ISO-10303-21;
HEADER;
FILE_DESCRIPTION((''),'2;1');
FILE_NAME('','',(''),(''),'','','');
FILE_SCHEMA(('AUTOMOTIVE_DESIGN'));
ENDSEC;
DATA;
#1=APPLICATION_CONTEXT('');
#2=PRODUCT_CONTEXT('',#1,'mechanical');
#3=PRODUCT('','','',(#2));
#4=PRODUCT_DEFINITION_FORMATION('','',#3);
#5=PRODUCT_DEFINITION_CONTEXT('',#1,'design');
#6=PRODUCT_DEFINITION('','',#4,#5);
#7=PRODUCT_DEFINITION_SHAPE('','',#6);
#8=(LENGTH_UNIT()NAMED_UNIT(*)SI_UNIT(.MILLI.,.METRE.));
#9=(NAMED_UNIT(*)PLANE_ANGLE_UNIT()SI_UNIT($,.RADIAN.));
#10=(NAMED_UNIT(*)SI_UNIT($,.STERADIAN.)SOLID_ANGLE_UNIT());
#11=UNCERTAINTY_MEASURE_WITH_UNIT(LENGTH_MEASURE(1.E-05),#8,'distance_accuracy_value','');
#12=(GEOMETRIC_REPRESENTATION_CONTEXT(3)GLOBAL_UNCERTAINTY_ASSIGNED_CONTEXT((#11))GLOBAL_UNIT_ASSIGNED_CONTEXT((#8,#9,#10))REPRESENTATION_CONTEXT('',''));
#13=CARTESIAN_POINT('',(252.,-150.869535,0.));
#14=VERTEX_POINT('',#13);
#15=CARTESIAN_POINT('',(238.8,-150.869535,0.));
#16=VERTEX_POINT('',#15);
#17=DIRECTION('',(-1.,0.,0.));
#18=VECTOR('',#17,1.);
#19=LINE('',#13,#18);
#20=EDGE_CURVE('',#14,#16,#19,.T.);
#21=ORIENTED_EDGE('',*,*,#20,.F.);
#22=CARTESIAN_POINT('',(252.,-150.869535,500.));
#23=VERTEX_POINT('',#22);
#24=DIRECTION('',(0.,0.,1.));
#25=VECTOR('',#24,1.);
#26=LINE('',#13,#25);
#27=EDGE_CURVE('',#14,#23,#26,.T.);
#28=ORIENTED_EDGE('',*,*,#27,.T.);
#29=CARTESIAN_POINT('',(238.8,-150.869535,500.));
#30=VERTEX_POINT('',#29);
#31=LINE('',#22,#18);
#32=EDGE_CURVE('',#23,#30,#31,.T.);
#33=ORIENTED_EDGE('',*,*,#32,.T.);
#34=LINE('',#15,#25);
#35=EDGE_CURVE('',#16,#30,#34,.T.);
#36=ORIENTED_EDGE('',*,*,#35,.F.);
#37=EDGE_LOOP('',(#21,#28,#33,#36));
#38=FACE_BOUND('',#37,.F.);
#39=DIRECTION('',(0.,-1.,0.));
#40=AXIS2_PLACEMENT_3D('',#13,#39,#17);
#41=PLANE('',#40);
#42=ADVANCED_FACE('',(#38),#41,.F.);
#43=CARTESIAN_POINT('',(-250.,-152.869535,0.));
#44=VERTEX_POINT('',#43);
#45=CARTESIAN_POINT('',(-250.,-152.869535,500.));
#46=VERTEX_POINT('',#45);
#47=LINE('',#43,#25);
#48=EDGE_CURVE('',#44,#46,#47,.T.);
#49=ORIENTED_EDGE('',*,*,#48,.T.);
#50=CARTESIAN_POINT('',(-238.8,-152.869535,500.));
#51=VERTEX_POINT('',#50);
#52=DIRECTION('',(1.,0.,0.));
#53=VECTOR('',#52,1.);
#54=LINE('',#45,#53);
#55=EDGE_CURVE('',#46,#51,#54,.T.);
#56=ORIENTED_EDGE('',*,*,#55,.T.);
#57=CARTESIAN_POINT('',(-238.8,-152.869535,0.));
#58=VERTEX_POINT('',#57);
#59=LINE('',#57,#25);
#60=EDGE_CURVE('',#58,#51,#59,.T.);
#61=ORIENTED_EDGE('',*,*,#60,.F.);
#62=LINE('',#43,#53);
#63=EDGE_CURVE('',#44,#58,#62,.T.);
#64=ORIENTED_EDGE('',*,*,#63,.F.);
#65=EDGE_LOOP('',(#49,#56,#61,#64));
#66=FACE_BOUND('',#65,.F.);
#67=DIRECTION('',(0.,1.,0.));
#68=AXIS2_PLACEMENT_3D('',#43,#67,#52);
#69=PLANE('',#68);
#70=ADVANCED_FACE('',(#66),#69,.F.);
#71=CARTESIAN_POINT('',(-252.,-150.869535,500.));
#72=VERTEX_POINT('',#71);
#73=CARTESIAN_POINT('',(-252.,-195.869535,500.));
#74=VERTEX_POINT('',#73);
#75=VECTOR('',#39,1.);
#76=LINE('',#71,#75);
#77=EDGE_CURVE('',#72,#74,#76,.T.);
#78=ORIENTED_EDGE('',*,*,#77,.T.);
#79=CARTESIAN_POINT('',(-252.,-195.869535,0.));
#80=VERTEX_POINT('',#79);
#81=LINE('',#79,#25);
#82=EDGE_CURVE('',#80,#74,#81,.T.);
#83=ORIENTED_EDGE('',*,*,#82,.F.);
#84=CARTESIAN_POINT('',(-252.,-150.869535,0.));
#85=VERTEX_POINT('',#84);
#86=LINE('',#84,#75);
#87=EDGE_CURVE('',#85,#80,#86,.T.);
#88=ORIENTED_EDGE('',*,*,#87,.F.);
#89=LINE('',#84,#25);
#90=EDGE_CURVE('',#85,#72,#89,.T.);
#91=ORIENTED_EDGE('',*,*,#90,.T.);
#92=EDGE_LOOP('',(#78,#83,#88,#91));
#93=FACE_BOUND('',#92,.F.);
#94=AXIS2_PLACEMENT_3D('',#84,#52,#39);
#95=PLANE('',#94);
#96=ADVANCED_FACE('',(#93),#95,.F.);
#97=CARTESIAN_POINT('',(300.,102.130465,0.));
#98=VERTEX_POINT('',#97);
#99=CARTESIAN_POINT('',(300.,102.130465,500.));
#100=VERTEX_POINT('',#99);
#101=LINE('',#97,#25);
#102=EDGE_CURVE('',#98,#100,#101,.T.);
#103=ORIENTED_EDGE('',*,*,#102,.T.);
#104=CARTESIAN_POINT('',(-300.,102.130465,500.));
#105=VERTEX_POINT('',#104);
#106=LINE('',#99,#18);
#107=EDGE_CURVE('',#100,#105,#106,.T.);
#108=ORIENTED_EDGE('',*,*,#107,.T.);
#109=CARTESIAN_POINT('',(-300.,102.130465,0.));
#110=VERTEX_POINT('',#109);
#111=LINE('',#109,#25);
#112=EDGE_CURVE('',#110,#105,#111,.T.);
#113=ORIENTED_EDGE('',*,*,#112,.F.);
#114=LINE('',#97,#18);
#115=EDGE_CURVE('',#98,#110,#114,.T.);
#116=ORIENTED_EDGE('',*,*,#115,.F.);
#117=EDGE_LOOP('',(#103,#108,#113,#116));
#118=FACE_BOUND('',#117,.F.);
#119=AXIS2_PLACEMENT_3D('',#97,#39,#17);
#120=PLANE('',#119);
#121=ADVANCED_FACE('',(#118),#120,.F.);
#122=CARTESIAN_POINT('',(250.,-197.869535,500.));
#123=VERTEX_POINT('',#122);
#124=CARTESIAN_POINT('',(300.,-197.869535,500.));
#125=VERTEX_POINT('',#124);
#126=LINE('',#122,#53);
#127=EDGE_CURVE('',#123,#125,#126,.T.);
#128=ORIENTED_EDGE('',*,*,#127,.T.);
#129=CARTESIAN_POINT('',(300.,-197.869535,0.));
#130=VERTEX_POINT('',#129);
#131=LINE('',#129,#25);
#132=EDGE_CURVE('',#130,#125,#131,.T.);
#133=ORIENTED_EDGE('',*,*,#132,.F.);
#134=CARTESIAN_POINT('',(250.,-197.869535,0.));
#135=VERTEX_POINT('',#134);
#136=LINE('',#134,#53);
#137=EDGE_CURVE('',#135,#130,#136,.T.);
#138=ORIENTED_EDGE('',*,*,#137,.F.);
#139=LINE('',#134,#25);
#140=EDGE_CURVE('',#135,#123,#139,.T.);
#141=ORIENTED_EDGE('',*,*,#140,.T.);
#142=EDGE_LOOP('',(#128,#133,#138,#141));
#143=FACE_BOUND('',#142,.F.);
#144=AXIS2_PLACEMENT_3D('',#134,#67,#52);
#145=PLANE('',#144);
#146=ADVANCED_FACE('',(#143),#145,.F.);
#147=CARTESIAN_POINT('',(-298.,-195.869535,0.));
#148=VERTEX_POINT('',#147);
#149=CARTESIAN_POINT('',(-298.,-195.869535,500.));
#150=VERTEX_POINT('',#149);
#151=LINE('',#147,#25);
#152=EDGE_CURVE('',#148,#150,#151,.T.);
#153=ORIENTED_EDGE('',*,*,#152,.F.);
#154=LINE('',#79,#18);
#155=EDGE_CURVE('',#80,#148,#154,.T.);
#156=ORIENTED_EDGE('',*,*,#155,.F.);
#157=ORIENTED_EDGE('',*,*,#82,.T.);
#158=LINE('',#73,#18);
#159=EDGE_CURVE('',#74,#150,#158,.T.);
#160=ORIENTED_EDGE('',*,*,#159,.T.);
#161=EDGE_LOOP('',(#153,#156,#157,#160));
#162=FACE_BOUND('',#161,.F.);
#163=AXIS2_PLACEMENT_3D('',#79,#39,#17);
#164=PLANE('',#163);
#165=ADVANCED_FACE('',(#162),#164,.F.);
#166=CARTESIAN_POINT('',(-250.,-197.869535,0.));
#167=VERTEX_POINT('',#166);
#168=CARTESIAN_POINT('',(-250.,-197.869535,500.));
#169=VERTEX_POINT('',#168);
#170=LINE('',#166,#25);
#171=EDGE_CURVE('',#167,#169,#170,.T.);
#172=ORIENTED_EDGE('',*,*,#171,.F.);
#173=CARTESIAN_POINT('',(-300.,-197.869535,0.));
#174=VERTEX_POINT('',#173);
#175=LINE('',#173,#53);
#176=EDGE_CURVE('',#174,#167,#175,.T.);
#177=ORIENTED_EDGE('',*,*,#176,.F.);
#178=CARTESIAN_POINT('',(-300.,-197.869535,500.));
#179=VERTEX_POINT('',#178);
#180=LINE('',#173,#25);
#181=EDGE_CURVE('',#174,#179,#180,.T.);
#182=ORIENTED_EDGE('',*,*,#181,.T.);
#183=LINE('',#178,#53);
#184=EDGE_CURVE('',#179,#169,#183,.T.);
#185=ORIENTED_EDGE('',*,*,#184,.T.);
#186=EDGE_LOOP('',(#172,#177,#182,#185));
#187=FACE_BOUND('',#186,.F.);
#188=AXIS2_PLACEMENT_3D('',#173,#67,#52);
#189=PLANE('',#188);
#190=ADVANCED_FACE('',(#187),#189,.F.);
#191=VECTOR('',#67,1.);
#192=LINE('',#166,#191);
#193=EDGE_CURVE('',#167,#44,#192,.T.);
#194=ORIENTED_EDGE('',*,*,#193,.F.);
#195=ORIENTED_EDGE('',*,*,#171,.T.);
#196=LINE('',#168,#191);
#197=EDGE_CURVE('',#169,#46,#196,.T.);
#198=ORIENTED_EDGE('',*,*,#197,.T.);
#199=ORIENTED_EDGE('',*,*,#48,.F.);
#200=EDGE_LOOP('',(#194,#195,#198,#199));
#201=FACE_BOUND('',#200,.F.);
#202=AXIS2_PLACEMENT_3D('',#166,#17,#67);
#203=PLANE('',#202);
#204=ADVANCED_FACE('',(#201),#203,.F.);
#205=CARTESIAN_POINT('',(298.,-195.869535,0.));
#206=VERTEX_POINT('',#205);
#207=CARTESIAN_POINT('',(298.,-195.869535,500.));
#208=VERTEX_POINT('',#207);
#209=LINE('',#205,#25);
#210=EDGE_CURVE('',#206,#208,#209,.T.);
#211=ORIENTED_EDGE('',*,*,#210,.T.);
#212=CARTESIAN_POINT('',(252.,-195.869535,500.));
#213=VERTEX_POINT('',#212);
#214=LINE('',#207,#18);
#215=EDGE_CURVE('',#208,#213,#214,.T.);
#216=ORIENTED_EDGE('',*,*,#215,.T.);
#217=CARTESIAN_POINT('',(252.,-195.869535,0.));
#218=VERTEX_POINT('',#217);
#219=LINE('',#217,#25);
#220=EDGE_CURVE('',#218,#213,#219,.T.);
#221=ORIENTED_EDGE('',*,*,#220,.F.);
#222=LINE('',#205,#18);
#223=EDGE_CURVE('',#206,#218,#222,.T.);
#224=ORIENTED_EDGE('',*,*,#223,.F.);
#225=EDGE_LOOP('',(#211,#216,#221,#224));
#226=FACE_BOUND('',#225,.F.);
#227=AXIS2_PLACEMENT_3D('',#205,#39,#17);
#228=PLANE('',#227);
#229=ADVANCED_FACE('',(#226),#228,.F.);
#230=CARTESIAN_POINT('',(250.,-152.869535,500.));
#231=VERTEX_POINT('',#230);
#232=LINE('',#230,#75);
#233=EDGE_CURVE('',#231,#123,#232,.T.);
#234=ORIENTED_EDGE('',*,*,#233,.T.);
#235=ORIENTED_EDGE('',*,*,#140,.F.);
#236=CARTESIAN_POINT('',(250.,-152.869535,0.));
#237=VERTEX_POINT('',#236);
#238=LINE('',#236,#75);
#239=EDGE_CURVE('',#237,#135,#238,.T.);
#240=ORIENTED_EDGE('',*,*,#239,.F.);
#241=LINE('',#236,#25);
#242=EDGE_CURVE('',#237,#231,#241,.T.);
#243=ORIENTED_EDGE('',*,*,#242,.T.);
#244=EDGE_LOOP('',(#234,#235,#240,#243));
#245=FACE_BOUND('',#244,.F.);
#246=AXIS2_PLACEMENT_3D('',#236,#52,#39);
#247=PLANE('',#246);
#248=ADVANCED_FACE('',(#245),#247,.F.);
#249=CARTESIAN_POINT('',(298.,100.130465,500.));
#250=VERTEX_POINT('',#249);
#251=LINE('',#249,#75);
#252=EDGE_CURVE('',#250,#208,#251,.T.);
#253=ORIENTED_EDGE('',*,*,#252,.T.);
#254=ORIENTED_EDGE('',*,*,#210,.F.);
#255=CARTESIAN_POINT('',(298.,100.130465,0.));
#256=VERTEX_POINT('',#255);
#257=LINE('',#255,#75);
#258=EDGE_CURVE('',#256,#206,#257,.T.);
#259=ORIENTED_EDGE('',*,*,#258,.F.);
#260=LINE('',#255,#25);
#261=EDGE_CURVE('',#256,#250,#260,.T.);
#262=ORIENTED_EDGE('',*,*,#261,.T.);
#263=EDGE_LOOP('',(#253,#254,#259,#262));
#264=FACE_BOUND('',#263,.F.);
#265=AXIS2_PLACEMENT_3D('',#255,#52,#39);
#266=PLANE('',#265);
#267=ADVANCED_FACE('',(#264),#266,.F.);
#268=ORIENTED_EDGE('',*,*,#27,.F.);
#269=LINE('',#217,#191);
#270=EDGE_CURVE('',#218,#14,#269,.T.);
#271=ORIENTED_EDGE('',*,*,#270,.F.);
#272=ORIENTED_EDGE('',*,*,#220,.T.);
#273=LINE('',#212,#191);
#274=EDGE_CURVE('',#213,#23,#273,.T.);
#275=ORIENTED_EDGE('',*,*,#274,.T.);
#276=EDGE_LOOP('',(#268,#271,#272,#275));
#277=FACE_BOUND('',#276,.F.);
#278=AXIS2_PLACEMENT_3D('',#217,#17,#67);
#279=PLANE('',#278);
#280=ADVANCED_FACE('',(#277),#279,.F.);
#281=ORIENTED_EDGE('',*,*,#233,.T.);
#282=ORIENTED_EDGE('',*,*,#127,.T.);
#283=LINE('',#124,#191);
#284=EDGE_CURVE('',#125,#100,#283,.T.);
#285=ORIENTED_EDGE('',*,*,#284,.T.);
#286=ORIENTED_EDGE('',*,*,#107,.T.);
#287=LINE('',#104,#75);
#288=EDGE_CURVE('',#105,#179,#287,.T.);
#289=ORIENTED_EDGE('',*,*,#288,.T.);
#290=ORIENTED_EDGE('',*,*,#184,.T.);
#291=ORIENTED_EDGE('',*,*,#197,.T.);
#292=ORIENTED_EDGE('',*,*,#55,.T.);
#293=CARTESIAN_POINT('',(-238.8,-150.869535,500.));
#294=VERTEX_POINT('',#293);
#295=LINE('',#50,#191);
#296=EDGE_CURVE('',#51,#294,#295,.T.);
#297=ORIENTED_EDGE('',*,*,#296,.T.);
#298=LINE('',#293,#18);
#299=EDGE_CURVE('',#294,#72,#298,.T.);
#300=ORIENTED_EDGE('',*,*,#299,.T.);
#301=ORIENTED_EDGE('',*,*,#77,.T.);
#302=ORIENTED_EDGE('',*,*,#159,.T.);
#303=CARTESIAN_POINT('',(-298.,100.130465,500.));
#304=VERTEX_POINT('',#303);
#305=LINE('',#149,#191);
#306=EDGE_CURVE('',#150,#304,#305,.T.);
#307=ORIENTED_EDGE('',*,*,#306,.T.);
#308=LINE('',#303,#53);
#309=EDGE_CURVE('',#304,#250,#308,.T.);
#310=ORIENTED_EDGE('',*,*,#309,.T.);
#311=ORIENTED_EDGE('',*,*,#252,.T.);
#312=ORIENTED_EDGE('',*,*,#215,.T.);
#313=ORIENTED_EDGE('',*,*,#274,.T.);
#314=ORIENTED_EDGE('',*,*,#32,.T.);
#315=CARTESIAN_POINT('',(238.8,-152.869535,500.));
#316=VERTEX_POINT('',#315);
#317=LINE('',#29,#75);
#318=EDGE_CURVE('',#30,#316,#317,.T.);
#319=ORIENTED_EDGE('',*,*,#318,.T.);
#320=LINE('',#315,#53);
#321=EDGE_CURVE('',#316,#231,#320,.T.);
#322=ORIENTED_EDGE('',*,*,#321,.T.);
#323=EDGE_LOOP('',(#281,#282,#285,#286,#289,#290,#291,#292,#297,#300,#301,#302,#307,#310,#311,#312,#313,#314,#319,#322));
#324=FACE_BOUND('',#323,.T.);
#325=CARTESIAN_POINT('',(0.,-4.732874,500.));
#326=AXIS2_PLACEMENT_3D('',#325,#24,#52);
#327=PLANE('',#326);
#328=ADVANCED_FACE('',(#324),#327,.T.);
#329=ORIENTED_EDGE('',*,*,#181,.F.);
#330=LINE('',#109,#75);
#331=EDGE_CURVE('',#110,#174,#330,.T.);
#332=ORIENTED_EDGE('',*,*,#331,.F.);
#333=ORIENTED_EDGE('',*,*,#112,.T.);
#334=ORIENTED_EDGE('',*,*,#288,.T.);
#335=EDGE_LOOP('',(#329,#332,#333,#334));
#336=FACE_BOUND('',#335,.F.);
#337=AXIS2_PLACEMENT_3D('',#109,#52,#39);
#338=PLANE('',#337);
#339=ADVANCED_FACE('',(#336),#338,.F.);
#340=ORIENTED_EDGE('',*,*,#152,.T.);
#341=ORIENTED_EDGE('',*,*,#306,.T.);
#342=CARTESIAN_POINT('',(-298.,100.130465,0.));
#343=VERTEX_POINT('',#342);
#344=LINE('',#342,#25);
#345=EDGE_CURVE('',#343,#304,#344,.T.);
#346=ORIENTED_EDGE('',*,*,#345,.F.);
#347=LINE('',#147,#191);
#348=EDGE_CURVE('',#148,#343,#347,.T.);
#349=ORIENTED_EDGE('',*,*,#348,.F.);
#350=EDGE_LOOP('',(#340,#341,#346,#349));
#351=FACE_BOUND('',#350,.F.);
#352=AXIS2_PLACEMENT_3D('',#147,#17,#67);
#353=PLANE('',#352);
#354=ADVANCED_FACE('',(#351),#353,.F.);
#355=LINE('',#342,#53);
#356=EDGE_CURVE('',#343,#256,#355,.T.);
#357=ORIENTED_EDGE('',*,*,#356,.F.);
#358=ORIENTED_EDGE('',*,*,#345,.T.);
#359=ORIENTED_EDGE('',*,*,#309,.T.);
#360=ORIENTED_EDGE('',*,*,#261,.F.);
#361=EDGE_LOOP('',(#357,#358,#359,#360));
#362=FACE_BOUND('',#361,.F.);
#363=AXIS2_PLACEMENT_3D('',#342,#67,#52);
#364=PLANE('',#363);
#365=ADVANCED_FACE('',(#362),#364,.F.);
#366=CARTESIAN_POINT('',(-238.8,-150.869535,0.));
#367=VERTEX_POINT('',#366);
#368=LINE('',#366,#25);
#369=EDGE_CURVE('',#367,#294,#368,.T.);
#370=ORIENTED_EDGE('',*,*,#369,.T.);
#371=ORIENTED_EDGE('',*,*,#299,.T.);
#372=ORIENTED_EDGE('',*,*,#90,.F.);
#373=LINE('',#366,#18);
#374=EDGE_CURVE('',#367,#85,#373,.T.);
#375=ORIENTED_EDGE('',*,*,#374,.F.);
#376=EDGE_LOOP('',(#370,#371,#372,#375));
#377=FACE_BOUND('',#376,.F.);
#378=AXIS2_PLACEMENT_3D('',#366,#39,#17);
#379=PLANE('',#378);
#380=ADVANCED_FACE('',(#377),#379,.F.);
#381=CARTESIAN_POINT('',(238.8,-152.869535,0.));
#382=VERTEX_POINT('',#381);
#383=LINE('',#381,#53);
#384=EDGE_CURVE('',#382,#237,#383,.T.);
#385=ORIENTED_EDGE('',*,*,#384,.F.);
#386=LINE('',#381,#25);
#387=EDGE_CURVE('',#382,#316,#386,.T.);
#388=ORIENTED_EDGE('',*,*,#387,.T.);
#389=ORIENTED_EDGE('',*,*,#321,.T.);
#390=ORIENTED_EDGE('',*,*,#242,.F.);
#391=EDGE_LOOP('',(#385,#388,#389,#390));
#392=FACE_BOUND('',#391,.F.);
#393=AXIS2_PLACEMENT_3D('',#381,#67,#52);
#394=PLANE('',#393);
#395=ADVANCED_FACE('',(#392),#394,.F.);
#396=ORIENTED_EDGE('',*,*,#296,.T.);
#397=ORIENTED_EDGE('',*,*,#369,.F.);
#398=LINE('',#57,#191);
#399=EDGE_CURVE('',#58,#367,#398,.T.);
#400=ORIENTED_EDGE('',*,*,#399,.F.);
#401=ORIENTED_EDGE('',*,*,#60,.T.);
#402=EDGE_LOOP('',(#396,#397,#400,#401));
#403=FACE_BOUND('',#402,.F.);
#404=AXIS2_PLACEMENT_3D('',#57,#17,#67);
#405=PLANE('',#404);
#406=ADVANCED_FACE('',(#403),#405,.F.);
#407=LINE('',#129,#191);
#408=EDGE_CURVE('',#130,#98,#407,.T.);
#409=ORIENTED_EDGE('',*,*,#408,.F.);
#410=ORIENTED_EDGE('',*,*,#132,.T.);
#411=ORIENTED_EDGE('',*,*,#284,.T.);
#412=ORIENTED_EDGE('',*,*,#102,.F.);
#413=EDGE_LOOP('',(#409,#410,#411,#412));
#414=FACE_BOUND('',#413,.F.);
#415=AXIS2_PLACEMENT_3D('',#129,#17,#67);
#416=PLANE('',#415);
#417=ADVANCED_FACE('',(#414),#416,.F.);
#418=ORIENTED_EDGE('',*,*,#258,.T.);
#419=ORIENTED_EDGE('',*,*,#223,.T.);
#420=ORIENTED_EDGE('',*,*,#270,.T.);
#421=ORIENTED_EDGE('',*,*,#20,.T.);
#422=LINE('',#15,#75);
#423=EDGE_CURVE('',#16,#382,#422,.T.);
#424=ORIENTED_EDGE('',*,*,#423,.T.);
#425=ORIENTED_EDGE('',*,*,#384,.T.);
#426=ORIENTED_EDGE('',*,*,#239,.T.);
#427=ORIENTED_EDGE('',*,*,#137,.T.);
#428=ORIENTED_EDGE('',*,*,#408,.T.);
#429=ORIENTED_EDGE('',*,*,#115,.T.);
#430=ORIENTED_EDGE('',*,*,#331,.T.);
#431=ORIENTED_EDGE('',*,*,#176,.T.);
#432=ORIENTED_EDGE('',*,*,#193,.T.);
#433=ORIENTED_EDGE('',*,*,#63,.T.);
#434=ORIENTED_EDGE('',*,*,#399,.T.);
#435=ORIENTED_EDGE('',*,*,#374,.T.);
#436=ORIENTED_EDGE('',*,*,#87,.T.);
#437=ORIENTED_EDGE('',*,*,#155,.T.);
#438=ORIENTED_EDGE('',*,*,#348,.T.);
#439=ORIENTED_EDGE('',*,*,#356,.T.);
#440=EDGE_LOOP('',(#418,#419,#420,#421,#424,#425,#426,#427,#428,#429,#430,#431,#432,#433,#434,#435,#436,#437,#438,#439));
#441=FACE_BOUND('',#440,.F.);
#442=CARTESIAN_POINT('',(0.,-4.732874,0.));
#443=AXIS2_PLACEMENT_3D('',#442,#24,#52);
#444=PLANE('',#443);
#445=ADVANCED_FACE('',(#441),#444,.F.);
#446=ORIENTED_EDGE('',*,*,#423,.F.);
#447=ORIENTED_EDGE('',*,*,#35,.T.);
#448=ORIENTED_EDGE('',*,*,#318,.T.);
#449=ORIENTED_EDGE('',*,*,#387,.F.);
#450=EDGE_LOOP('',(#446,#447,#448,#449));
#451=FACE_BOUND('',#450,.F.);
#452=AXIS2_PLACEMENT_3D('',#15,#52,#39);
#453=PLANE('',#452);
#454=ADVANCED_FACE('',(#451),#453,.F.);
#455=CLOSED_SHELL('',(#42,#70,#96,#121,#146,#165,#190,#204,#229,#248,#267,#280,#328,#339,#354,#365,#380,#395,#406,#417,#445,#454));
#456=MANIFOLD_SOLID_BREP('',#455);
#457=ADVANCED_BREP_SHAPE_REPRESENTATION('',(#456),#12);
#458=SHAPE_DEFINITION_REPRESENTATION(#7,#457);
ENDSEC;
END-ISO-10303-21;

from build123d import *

# Parameters (mm, degrees)
F1_DEPTH = 500


with BuildPart() as f1:
    # F0 (on Top) → F1 (new body)
    with BuildSketch(Plane.XY):
        Polygon((300, 102.130465), (0, 102.130465), (-300, 102.130465), (-300, -197.869535), (-250, -197.869535), (-250, -152.869535), (-238.8, -152.869535), (-238.8, -150.869535), (-252, -150.869535), (-252, -195.869535), (-298, -195.869535), (-298, 100.130465), (0, 100.130465), (298, 100.130465), (298, -195.869535), (252, -195.869535), (252, -150.869535), (238.8, -150.869535), (238.8, -152.869535), (250, -152.869535), (250, -197.869535), (300, -197.869535), align=None)
    extrude(amount=F1_DEPTH)


solid = f1.part
